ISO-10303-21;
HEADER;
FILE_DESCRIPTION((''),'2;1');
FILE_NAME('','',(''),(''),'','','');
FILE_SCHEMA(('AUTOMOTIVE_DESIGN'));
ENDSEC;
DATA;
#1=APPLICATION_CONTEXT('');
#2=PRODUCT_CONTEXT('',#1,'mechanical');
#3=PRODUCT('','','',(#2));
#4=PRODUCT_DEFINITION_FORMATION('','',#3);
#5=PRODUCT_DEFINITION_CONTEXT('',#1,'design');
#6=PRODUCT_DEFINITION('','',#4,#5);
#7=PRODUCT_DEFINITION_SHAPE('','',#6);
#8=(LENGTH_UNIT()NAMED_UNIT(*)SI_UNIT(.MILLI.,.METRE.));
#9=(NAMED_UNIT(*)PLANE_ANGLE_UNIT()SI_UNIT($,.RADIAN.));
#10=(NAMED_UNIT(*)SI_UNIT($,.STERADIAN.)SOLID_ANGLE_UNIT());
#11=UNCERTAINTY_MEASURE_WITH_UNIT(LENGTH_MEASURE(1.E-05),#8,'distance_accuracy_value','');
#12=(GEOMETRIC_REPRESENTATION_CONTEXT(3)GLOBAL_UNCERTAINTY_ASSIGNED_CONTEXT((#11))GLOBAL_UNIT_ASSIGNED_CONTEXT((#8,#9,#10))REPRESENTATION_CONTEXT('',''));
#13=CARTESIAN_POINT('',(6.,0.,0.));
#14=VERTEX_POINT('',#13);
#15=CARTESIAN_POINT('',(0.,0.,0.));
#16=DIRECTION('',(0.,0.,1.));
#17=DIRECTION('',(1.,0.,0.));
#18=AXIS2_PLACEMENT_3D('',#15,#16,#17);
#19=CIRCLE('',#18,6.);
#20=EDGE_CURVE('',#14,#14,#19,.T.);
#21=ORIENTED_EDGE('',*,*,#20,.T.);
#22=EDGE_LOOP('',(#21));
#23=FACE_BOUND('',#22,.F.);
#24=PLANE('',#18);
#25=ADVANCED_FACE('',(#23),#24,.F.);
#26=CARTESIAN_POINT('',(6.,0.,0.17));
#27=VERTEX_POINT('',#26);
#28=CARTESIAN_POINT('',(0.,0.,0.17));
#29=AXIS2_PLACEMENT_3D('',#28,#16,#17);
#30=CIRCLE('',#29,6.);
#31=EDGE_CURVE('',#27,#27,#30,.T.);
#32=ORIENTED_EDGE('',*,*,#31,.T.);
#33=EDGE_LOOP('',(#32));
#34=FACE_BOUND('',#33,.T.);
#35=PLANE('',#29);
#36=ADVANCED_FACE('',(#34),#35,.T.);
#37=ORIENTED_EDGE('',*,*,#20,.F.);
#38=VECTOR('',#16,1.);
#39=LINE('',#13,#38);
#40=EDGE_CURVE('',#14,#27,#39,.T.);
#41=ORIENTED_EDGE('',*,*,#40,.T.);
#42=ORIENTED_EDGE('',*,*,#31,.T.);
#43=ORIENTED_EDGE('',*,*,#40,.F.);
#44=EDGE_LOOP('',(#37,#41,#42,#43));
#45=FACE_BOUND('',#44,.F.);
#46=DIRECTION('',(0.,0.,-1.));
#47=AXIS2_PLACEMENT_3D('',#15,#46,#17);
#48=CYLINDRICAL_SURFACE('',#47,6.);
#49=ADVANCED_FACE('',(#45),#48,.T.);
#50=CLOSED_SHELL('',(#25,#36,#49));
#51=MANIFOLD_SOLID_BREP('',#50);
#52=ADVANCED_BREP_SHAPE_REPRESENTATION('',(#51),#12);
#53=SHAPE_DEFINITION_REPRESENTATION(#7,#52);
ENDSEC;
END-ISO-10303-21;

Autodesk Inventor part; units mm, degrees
ref_plane "YZ Plane" through (0, 0, 0) normal (1, 0, 0) x (0, 1, 0)
ref_plane "XZ Plane" through (0, 0, 0) normal (0, 1, 0) x (-1, 0, 0)
ref_plane "XY Plane" through (0, 0, 0) normal (0, 0, 1) x (1, 0, 0)
sketch "glass sketch" plane through (0, 0, 0) normal (0, 0, 1) x (1, 0, 0)
  circle A0 centre (0, 0) radius 6
  dimension "d0" = 12
extrude "glass" add sketch "glass sketch" along normal blind 0.17
equation "\"d0\" = glass_d"
equation "\"d1\" = glass_t"
equation "\"glass_d\" = 12"
equation "\"glass_t\" = 0.17"
properties part number "BUY - Cover glass - D12 x 0.17"
